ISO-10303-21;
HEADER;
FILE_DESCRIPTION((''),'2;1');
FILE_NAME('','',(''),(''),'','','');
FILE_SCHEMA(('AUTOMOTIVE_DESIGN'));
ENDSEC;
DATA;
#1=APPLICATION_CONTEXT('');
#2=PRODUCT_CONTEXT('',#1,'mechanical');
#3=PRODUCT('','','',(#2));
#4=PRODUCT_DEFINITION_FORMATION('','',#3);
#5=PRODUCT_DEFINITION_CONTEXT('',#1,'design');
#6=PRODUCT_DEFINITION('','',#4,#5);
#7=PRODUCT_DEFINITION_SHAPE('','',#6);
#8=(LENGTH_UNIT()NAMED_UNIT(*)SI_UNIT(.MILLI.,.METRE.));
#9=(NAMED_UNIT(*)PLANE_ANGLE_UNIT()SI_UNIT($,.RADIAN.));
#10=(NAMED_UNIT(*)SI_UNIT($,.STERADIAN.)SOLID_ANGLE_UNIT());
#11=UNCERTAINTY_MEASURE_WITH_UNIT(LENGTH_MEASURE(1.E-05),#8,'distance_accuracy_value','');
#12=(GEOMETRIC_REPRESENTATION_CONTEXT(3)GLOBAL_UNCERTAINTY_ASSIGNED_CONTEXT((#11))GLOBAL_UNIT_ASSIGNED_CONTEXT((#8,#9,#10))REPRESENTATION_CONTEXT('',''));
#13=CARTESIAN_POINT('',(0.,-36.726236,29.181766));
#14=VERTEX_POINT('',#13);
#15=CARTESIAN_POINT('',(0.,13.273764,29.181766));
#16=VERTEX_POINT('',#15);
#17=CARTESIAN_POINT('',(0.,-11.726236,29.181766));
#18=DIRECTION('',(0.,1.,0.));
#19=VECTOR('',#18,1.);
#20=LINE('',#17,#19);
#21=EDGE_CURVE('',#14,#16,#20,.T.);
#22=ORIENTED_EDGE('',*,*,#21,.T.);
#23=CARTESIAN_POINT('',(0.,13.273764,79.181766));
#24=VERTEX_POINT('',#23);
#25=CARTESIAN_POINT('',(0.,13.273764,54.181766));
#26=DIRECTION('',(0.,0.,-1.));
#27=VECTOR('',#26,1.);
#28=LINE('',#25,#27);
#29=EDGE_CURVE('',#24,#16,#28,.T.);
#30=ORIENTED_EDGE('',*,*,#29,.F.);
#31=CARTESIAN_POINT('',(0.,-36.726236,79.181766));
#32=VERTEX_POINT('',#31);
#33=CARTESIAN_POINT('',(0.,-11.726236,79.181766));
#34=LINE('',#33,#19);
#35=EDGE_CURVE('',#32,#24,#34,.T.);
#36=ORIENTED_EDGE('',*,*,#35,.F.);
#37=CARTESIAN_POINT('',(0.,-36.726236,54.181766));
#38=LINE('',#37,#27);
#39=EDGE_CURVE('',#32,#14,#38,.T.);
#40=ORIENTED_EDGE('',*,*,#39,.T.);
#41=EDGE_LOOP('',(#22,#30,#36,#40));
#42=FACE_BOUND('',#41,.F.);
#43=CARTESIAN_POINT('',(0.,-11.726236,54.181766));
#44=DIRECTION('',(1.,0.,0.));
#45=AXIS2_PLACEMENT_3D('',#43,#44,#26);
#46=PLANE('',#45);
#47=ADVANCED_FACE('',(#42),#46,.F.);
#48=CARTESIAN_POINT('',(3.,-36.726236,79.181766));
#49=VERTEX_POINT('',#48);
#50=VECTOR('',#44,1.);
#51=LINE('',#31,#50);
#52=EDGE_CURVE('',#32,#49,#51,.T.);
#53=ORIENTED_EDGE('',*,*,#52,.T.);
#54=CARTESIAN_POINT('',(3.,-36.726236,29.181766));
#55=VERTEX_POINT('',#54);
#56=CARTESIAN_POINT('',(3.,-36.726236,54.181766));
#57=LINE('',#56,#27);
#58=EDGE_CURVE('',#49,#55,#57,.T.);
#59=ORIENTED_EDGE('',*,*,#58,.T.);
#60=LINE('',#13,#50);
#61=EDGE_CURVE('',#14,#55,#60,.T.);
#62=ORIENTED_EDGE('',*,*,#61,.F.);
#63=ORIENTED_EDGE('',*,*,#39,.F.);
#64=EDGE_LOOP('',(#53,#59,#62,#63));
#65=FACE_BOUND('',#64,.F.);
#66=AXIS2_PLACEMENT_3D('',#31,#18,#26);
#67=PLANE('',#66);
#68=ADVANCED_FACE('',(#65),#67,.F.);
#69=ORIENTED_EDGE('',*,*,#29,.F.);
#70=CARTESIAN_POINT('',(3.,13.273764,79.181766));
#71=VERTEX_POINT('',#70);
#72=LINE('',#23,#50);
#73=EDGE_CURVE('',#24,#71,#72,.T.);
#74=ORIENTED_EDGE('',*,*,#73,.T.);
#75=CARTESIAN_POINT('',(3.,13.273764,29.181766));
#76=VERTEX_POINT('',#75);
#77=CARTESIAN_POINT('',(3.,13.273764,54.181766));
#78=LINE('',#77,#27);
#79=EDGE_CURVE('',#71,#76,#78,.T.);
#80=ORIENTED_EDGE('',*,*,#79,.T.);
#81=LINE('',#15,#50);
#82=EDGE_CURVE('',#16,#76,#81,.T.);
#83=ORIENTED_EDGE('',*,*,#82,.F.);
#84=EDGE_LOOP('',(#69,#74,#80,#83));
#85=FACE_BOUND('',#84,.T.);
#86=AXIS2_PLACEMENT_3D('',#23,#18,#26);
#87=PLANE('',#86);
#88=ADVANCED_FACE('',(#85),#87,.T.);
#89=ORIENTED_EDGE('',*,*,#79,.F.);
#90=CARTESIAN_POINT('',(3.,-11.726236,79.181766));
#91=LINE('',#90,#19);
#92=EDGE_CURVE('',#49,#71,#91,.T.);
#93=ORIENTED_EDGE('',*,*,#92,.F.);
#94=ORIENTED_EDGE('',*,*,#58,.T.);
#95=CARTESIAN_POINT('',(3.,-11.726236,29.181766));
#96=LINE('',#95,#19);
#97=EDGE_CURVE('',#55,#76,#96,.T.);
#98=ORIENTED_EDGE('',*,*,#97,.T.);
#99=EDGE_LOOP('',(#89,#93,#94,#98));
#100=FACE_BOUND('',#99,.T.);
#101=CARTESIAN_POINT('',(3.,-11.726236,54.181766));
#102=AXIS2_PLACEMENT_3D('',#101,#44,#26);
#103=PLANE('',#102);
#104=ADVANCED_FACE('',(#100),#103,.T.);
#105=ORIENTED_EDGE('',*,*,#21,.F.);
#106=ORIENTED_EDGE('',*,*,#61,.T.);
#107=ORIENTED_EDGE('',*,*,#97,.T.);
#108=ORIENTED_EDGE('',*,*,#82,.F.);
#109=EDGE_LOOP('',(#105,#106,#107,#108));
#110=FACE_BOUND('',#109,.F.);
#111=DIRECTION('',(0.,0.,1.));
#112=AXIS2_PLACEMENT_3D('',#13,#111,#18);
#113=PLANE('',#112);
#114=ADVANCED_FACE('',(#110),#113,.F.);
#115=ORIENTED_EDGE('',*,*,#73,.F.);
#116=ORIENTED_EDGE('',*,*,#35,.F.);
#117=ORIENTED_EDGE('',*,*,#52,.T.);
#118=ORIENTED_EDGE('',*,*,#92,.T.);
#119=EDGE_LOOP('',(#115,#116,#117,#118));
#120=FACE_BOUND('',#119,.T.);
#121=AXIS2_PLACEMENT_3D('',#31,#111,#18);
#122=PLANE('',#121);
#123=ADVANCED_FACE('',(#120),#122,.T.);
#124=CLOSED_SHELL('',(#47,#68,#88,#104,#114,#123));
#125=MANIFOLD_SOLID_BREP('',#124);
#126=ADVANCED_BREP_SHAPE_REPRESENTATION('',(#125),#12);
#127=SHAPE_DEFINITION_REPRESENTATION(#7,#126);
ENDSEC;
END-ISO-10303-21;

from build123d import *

# Parameters (mm, degrees)
ESQUISSE2_W        = 50
ESQUISSE2_H        = 50
BOSS_EXTRU_1_DEPTH = 3


with BuildPart() as part:
    # Esquisse2 → Boss.-Extru.1 (new body)
    with BuildSketch(Plane(origin=(0, 0, 0), x_dir=(0, 0, -1), z_dir=(1, 0, 0))):
        with Locations((-54.181765908, -11.726235788)):
            Rectangle(ESQUISSE2_W, ESQUISSE2_H)
    extrude(amount=BOSS_EXTRU_1_DEPTH)


solid = part.part
